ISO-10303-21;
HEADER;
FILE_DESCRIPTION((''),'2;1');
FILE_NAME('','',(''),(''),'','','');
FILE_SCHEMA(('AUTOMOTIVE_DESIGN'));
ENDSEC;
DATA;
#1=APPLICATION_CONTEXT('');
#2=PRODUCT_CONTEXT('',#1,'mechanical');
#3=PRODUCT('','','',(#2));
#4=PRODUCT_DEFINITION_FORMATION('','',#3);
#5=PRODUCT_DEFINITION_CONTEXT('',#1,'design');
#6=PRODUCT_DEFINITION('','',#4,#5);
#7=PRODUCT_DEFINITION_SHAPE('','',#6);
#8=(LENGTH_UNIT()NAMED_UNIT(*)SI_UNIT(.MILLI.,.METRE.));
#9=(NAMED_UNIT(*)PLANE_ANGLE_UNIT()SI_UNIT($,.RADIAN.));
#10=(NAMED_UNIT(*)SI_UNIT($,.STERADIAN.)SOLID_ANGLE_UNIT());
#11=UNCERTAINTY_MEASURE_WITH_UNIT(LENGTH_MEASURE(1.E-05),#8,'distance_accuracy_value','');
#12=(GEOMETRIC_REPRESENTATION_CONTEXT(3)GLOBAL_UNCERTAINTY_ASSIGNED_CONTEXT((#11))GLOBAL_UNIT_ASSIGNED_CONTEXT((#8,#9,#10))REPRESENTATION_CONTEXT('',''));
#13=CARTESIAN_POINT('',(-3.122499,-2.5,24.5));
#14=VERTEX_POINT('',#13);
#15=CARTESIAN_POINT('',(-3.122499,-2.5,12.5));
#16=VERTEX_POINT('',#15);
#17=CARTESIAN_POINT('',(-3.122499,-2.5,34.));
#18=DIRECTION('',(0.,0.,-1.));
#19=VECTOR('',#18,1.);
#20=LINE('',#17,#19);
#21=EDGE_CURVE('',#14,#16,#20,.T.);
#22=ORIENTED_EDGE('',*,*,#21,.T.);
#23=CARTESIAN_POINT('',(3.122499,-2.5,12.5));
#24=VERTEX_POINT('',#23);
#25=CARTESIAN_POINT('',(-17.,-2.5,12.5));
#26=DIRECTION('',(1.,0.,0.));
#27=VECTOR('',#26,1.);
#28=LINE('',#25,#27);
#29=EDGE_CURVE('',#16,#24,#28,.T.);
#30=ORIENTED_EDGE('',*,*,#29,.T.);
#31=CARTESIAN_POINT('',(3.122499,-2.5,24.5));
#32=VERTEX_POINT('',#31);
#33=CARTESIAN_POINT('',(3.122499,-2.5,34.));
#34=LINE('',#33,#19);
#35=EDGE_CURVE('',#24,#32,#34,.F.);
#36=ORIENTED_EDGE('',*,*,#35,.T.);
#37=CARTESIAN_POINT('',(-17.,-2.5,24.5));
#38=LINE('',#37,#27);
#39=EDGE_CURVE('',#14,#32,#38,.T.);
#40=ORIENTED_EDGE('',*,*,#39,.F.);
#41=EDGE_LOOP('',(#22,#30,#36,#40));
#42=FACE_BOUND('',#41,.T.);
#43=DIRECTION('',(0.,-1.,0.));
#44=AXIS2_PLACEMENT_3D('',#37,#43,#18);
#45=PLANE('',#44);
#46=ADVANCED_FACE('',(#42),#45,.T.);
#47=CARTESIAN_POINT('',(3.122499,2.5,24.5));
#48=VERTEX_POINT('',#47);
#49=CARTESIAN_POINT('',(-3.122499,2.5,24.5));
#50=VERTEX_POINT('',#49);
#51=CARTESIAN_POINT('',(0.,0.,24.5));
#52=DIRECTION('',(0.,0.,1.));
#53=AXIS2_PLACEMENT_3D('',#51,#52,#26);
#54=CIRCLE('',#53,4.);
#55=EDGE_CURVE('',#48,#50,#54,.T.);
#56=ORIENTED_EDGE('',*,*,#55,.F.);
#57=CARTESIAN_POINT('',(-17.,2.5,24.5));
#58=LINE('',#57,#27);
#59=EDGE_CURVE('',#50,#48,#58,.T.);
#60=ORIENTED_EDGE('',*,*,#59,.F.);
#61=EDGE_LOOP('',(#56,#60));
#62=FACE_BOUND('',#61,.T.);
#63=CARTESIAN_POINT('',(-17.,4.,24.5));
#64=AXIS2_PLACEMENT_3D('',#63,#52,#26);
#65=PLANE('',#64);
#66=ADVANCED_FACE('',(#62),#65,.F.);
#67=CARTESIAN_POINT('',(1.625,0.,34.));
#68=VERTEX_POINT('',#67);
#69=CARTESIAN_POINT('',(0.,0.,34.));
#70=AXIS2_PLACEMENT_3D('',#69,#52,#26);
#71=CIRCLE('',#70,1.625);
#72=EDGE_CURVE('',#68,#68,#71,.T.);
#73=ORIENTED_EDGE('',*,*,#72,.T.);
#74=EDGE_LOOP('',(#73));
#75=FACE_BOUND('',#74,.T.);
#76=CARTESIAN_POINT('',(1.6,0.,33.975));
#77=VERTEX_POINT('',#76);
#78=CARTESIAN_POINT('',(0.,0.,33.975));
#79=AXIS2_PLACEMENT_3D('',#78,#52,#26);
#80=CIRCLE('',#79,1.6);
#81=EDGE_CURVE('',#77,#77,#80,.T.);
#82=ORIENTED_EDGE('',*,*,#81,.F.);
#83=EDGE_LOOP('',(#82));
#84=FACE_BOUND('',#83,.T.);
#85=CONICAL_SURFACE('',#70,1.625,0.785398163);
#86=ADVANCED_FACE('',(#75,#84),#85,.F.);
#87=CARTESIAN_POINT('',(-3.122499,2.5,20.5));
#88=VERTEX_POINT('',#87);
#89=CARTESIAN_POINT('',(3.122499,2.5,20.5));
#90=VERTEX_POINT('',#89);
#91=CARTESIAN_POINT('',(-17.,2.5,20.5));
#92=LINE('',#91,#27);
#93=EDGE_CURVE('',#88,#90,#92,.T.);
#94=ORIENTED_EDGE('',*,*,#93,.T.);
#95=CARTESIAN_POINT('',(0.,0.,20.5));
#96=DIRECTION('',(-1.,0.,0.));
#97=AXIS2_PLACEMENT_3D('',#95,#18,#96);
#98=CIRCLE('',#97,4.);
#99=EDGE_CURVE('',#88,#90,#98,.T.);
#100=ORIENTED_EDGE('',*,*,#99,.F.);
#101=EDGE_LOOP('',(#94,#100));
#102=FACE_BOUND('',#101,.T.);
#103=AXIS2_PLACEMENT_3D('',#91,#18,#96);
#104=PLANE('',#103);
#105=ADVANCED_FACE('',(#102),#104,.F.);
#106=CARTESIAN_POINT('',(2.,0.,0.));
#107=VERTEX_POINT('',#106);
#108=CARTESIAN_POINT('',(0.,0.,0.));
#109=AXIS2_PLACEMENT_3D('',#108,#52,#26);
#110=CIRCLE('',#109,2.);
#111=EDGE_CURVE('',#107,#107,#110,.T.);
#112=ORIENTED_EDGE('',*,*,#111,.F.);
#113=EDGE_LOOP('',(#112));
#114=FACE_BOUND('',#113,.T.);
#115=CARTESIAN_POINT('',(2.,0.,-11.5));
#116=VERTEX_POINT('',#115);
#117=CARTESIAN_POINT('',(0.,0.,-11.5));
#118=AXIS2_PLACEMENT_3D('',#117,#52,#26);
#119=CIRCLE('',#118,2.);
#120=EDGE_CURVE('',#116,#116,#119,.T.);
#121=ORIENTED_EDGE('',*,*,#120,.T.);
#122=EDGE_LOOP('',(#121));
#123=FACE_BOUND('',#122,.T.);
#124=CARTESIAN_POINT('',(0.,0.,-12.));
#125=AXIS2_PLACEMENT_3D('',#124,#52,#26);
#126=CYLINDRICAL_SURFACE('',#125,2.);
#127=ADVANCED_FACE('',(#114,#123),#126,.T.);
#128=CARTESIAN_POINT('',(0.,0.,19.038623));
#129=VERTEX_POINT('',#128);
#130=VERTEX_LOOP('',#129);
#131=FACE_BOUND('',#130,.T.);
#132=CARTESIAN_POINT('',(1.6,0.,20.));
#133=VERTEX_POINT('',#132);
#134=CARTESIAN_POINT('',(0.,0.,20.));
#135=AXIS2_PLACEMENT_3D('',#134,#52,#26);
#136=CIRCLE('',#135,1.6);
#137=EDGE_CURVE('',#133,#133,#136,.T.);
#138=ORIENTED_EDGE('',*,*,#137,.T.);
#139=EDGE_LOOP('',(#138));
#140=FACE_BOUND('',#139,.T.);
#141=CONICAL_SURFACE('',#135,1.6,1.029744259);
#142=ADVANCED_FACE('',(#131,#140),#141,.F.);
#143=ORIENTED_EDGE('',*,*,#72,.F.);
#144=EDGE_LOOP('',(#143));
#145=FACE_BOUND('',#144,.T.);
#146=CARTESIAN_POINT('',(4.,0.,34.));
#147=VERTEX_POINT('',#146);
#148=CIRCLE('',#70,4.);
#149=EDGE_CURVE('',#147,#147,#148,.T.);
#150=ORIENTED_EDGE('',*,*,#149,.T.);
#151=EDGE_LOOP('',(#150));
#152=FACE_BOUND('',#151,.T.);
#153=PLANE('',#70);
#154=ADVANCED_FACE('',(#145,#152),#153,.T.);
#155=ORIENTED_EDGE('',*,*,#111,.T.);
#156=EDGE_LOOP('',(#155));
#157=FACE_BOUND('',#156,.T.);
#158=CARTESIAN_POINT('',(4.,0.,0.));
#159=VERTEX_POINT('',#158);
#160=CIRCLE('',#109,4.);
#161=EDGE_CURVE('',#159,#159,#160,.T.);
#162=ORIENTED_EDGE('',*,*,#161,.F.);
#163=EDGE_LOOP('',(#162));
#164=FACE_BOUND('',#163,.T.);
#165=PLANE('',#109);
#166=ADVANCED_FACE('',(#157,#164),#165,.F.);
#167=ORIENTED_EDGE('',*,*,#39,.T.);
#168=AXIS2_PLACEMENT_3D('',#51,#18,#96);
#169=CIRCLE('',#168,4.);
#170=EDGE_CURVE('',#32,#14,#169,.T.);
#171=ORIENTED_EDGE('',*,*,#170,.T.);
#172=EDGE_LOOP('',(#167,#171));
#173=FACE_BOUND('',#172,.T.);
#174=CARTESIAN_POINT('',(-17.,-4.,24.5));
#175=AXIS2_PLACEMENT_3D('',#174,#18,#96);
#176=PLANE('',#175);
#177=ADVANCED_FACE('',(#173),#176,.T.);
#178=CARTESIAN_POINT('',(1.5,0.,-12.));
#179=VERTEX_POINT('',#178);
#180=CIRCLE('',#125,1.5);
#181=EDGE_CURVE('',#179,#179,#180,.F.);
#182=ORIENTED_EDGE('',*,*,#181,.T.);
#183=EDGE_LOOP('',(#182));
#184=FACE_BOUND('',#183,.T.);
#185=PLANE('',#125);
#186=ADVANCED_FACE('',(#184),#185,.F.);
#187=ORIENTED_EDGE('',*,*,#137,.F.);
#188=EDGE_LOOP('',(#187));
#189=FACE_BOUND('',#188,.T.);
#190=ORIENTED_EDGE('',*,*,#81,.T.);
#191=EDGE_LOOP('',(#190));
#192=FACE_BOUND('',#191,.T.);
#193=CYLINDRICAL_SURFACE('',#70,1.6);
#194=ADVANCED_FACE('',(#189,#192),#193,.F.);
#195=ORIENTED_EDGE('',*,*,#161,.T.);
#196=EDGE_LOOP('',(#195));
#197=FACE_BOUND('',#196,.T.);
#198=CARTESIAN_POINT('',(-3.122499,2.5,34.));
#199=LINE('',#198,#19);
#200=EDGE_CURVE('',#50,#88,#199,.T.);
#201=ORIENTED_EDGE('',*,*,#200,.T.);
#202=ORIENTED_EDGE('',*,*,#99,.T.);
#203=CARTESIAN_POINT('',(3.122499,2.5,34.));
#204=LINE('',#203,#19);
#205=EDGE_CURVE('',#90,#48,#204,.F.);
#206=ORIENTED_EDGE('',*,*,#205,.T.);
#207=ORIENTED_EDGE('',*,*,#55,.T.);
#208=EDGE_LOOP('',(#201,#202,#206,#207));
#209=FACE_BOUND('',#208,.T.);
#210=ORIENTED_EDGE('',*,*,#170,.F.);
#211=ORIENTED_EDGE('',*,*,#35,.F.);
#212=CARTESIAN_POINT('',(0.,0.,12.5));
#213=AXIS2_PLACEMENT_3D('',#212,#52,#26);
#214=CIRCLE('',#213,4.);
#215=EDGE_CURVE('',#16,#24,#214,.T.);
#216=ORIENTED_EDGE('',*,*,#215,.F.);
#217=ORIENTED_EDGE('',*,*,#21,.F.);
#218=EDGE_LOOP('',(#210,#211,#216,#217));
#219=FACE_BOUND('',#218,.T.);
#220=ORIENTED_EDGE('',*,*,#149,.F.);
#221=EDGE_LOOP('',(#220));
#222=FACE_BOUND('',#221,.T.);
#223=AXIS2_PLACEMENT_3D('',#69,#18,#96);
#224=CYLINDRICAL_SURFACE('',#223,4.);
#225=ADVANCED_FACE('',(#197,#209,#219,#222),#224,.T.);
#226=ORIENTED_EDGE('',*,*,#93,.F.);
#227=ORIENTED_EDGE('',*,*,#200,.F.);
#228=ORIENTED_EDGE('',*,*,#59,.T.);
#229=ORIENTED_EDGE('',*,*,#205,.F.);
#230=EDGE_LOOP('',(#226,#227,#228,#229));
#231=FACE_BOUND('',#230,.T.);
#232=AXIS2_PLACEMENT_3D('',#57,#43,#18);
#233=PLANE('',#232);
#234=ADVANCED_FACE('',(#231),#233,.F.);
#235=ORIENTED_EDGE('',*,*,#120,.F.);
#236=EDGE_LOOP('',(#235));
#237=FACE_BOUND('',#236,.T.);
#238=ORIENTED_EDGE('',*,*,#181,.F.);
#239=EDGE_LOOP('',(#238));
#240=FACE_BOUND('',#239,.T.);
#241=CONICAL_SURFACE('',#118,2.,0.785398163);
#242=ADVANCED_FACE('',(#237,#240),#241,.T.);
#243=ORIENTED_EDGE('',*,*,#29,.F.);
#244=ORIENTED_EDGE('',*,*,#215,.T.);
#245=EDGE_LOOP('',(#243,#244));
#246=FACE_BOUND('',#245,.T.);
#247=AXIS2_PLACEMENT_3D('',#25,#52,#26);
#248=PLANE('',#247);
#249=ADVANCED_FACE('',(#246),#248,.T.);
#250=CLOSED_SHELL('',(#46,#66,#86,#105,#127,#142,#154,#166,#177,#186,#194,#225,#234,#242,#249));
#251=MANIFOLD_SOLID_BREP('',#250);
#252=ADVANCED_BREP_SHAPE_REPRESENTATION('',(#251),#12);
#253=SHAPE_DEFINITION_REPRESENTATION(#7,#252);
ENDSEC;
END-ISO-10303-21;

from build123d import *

# Parameters (mm, degrees)
SKETCH1_R                            = 2
BOSS_EXTRUDE3_DEPTH                  = 12
SKETCH3_R                            = 4
BOSS_EXTRUDE4_DEPTH                  = 34
SKETCH4_W                            = 4
SKETCH4_H                            = 1.5
SKETCH4_W_2                          = 12
CUT_EXTRUDE1_DEPTH                   = 17
F_3_2_3_2_DIAMETER_HOLE1_D           = 3.2
F_3_2_3_2_DIAMETER_HOLE1_DEPTH       = 14
F_3_2_3_2_DIAMETER_HOLE1_CSINK_D     = 3.25
F_3_2_3_2_DIAMETER_HOLE1_CSINK_ANGLE = 90
F_3_2_3_2_DIAMETER_HOLE1_TIP         = 0.96137699
CHAMFER1_SIZE                        = 0.5


with BuildPart() as part:
    # Sketch1 → Boss-Extrude3 (new body)
    with BuildSketch(Plane.XY):
        Circle(SKETCH1_R)
    extrude(amount=-BOSS_EXTRUDE3_DEPTH)

    # Sketch3 → Boss-Extrude4 (add)
    with BuildSketch(Plane.XY):
        Circle(SKETCH3_R)
    extrude(amount=BOSS_EXTRUDE4_DEPTH)

    # Sketch4 → Cut-Extrude1 (cut, symmetric)
    with BuildSketch(Plane(origin=(0, 0, 0), x_dir=(0, 0, -1), z_dir=(1, 0, 0))):
        with Locations((-22.5, 3.25)):
            Rectangle(SKETCH4_W, SKETCH4_H)
        with Locations((-18.5, -3.25)):
            Rectangle(SKETCH4_W_2, SKETCH4_H)
    extrude(amount=CUT_EXTRUDE1_DEPTH, both=True, mode=Mode.SUBTRACT)

    # Ø3.2 (3.2) Diameter Hole1
    with Locations(Plane.XY.offset(34)):
        with Locations((0, 0)):
            CounterSinkHole(F_3_2_3_2_DIAMETER_HOLE1_D / 2, F_3_2_3_2_DIAMETER_HOLE1_CSINK_D / 2, depth=F_3_2_3_2_DIAMETER_HOLE1_DEPTH, counter_sink_angle=F_3_2_3_2_DIAMETER_HOLE1_CSINK_ANGLE)
            with Locations((0, 0, -(F_3_2_3_2_DIAMETER_HOLE1_DEPTH + F_3_2_3_2_DIAMETER_HOLE1_TIP / 2))):  # 118° drill point
                Cone(0, F_3_2_3_2_DIAMETER_HOLE1_D / 2, F_3_2_3_2_DIAMETER_HOLE1_TIP, mode=Mode.SUBTRACT)

    # Chamfer1
    chamfer1_edges = [part.edges().sort_by_distance(p)[0] for p in [
        (-2, 0, -12),
    ]]
    chamfer(chamfer1_edges, length=CHAMFER1_SIZE)


solid = part.part
